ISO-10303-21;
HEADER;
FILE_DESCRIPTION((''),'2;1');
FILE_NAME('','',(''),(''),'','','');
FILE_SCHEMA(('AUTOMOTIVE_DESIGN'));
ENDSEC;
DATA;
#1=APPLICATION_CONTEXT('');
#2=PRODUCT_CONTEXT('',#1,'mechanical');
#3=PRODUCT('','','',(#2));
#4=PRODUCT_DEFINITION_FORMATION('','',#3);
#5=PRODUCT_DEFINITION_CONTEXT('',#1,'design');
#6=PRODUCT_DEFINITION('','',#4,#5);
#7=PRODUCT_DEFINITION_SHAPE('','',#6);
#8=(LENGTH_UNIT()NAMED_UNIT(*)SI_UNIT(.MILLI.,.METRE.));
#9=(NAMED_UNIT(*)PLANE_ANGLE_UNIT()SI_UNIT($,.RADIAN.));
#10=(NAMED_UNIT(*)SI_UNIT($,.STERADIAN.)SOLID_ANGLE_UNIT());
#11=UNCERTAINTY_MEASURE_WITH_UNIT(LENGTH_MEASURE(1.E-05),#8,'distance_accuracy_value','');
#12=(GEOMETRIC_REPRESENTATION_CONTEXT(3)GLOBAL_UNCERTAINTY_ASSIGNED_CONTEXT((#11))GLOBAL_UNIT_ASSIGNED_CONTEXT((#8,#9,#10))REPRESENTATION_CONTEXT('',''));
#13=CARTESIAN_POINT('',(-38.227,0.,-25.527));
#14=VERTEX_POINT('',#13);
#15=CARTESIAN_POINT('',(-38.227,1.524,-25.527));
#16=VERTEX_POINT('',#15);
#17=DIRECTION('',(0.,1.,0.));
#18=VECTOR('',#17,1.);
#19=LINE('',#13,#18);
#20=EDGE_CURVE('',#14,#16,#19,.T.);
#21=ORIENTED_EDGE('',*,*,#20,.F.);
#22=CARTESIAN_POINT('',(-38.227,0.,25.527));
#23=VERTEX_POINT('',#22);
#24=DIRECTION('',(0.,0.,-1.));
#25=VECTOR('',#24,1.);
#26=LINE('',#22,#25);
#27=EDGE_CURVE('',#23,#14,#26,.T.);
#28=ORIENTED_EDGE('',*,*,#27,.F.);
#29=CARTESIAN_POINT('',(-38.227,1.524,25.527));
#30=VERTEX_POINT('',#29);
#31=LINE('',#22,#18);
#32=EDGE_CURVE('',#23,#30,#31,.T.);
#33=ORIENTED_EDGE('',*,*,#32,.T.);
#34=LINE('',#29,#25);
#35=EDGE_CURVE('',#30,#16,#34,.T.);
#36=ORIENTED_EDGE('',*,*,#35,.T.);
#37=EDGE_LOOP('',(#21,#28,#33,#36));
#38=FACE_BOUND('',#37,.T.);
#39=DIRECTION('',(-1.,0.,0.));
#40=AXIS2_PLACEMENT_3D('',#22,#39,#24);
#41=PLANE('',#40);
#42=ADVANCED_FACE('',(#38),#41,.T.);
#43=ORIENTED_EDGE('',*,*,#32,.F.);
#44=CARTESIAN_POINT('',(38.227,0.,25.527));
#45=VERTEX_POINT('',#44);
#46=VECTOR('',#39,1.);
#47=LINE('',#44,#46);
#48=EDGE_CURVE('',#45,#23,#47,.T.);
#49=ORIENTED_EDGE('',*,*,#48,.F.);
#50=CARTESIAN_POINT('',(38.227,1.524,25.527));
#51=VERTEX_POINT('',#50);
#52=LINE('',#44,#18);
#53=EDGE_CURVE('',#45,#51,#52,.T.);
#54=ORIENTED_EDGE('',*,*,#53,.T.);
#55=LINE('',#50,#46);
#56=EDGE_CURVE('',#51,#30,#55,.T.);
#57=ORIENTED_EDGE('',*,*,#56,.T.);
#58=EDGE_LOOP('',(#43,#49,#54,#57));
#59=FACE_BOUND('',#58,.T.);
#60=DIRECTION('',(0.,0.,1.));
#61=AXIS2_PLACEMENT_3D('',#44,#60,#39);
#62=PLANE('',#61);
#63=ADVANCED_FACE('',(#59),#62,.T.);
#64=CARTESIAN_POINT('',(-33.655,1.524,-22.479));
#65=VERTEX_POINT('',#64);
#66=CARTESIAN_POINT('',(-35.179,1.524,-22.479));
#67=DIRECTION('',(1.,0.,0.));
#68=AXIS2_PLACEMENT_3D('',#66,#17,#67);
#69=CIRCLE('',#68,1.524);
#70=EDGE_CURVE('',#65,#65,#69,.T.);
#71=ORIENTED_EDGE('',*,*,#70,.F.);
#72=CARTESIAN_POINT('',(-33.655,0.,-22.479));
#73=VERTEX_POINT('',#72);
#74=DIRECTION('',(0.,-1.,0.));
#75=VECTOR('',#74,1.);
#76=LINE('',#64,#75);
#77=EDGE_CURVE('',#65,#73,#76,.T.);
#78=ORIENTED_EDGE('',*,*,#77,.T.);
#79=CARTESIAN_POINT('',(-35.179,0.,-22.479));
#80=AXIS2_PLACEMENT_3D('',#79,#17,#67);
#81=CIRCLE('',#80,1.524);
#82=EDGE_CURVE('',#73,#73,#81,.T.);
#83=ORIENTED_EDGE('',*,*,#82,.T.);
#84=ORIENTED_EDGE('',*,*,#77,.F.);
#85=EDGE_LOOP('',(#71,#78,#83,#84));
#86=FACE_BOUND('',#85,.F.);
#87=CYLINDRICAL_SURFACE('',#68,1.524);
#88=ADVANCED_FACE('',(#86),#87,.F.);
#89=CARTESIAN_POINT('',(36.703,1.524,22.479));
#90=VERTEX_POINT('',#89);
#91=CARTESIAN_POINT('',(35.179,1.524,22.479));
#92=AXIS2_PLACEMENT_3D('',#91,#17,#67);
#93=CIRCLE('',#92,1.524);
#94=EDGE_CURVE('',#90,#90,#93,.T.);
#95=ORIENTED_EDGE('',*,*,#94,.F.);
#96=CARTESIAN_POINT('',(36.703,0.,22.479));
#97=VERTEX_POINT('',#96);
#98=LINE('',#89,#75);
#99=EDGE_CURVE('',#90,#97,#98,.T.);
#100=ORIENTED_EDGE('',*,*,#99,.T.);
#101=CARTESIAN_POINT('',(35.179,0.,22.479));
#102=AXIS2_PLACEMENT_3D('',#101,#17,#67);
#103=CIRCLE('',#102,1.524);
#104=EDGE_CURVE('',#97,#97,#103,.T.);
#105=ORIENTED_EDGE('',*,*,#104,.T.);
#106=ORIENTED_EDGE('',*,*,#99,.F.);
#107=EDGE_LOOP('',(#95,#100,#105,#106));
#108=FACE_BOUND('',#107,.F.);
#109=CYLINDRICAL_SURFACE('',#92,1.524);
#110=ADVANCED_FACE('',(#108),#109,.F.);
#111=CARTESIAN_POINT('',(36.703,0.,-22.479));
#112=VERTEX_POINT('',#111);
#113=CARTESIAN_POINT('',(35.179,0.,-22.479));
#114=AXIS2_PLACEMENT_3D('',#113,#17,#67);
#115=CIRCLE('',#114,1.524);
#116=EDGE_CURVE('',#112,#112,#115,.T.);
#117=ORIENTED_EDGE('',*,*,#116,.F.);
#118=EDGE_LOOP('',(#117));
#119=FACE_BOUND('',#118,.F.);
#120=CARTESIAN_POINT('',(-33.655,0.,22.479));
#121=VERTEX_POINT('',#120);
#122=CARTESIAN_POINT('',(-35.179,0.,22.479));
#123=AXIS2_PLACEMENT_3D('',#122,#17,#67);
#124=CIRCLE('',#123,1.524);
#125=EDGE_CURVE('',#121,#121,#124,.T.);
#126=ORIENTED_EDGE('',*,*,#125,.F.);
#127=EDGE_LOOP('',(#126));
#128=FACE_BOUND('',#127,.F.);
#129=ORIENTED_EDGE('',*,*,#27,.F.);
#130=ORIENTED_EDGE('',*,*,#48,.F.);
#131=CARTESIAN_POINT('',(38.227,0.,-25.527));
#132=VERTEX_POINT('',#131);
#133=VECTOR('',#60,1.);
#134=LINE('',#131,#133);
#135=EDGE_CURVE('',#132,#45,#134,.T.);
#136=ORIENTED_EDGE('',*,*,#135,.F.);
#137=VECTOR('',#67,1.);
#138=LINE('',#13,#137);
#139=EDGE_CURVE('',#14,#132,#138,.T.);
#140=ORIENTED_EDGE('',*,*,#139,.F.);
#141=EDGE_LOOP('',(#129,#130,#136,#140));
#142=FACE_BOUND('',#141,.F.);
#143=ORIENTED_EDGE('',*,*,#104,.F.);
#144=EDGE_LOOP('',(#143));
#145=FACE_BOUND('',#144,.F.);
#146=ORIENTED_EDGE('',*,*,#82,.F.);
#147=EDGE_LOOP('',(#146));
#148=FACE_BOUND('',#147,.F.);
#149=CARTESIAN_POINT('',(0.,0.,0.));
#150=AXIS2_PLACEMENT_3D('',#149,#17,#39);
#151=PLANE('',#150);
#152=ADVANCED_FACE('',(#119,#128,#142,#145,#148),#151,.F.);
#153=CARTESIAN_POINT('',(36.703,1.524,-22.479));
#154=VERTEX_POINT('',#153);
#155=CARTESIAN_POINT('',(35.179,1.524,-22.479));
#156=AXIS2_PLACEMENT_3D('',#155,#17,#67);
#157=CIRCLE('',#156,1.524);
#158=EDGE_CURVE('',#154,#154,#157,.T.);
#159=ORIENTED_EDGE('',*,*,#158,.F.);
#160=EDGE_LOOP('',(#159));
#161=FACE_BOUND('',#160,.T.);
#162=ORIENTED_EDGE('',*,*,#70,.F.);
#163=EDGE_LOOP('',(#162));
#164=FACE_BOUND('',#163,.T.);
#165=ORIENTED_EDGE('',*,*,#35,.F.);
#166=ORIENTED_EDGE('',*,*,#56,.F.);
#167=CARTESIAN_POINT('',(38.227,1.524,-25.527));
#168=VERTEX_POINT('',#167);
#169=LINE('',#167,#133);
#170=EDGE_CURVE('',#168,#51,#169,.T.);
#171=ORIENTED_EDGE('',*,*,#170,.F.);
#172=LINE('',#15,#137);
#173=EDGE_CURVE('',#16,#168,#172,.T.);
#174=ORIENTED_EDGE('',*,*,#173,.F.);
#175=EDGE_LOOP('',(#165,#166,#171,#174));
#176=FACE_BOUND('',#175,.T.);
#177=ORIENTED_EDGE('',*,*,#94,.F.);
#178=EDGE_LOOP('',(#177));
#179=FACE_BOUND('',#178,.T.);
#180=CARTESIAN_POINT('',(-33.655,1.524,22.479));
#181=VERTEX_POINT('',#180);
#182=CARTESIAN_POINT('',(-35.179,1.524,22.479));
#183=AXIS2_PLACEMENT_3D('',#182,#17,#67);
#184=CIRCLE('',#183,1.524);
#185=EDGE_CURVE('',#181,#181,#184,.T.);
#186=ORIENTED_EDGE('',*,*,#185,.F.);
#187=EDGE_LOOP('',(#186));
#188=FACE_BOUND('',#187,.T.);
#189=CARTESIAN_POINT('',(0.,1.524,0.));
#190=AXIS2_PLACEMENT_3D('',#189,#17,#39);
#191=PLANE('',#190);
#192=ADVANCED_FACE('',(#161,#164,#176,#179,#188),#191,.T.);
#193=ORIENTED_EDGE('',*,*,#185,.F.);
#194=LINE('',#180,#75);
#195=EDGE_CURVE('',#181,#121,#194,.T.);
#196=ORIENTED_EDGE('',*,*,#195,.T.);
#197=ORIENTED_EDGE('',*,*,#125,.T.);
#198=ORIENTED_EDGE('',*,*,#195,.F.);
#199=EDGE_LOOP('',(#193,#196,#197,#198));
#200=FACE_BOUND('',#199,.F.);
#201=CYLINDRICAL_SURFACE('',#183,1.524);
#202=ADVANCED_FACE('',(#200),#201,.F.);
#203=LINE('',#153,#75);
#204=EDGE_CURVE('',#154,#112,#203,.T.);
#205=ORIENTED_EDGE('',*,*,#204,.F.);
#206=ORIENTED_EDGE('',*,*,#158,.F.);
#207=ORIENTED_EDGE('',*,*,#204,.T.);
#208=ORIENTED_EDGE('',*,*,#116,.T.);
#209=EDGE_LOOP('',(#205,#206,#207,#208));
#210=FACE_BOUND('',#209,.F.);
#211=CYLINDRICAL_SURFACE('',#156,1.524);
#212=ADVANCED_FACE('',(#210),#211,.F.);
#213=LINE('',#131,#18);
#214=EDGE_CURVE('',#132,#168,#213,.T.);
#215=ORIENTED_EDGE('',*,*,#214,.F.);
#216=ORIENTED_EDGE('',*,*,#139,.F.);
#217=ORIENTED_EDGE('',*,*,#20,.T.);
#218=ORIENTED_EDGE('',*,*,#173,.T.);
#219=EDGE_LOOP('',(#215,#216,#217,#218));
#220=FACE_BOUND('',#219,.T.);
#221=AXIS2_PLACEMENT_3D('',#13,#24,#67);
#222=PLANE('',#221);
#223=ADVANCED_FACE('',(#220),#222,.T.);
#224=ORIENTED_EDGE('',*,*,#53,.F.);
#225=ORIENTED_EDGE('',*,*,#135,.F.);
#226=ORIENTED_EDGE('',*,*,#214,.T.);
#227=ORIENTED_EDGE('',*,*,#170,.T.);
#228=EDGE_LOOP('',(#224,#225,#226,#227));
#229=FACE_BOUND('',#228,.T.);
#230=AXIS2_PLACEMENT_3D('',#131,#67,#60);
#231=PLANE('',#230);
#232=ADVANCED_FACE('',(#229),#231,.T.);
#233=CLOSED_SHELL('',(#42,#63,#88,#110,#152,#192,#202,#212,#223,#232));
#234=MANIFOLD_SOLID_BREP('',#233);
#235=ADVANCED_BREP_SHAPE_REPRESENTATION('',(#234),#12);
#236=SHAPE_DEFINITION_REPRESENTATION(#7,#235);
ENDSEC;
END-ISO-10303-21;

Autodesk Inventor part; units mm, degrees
ref_plane "YZ Plane" through (0, 0, 0) normal (1, 0, 0) x (0, 1, 0)
ref_plane "XZ Plane" through (0, 0, 0) normal (0, 1, 0) x (-1, 0, 0)
ref_plane "XY Plane" through (0, 0, 0) normal (0, 0, 1) x (1, 0, 0)
sketch "Sketch1" plane through (0, 0, 0) normal (0, 1, 0) x (-1, 0, 0)
  line L0 (-38.227, 25.527) -> (38.227, 25.527)
  line L1 (38.227, 25.527) -> (38.227, -25.527)
  line L2 (38.227, -25.527) -> (-38.227, -25.527)
  line L3 (-38.227, -25.527) -> (-38.227, 25.527)
  line L4 (-38.227, 25.527) -> (38.227, -25.527) construction
  point P0 (0, 0)
  point P1 (0, 0)
  dimension "d0" = 76.454
  dimension "d1" = 51.054
extrude "Extrusion1" add sketch "Sketch1" along normal blind 1.524
sketch "Sketch2" plane through (0, 1.524, 0) normal (0, 1, 0) x (1, 0, 0)
  line L0 (-38.227, -25.527) -> (38.227, -25.527) projected
  line L1 (38.227, -25.527) -> (38.227, 25.527) projected
  line L2 (38.227, 25.527) -> (-38.227, 25.527) projected
  line L3 (-38.227, 25.527) -> (-38.227, -25.527) projected
  circle A0 centre (-35.179, 22.479) radius 1.524
  circle A1 centre (-35.179, -22.479) radius 1.524
  circle A2 centre (35.179, 22.479) radius 1.524
  circle A3 centre (35.179, -22.479) radius 1.524
  point P0 (0, 0)
  dimension "d4" = 3.048
  dimension "d5" = 3.048
  dimension "d6" = 3.048
  dimension "d7" = 3.048
  dimension "d8" = 3.048
  dimension "d9" = 3.048
  dimension "d10" = 3.048
  dimension "d11" = 3.048
  dimension "d12" = 3.048
extrude "Extrusion2" cut sketch "Sketch2" against normal up to next contours A0 | A1 | A2 | A3
properties part number "MainBoard" material "Silicon Nitride"
